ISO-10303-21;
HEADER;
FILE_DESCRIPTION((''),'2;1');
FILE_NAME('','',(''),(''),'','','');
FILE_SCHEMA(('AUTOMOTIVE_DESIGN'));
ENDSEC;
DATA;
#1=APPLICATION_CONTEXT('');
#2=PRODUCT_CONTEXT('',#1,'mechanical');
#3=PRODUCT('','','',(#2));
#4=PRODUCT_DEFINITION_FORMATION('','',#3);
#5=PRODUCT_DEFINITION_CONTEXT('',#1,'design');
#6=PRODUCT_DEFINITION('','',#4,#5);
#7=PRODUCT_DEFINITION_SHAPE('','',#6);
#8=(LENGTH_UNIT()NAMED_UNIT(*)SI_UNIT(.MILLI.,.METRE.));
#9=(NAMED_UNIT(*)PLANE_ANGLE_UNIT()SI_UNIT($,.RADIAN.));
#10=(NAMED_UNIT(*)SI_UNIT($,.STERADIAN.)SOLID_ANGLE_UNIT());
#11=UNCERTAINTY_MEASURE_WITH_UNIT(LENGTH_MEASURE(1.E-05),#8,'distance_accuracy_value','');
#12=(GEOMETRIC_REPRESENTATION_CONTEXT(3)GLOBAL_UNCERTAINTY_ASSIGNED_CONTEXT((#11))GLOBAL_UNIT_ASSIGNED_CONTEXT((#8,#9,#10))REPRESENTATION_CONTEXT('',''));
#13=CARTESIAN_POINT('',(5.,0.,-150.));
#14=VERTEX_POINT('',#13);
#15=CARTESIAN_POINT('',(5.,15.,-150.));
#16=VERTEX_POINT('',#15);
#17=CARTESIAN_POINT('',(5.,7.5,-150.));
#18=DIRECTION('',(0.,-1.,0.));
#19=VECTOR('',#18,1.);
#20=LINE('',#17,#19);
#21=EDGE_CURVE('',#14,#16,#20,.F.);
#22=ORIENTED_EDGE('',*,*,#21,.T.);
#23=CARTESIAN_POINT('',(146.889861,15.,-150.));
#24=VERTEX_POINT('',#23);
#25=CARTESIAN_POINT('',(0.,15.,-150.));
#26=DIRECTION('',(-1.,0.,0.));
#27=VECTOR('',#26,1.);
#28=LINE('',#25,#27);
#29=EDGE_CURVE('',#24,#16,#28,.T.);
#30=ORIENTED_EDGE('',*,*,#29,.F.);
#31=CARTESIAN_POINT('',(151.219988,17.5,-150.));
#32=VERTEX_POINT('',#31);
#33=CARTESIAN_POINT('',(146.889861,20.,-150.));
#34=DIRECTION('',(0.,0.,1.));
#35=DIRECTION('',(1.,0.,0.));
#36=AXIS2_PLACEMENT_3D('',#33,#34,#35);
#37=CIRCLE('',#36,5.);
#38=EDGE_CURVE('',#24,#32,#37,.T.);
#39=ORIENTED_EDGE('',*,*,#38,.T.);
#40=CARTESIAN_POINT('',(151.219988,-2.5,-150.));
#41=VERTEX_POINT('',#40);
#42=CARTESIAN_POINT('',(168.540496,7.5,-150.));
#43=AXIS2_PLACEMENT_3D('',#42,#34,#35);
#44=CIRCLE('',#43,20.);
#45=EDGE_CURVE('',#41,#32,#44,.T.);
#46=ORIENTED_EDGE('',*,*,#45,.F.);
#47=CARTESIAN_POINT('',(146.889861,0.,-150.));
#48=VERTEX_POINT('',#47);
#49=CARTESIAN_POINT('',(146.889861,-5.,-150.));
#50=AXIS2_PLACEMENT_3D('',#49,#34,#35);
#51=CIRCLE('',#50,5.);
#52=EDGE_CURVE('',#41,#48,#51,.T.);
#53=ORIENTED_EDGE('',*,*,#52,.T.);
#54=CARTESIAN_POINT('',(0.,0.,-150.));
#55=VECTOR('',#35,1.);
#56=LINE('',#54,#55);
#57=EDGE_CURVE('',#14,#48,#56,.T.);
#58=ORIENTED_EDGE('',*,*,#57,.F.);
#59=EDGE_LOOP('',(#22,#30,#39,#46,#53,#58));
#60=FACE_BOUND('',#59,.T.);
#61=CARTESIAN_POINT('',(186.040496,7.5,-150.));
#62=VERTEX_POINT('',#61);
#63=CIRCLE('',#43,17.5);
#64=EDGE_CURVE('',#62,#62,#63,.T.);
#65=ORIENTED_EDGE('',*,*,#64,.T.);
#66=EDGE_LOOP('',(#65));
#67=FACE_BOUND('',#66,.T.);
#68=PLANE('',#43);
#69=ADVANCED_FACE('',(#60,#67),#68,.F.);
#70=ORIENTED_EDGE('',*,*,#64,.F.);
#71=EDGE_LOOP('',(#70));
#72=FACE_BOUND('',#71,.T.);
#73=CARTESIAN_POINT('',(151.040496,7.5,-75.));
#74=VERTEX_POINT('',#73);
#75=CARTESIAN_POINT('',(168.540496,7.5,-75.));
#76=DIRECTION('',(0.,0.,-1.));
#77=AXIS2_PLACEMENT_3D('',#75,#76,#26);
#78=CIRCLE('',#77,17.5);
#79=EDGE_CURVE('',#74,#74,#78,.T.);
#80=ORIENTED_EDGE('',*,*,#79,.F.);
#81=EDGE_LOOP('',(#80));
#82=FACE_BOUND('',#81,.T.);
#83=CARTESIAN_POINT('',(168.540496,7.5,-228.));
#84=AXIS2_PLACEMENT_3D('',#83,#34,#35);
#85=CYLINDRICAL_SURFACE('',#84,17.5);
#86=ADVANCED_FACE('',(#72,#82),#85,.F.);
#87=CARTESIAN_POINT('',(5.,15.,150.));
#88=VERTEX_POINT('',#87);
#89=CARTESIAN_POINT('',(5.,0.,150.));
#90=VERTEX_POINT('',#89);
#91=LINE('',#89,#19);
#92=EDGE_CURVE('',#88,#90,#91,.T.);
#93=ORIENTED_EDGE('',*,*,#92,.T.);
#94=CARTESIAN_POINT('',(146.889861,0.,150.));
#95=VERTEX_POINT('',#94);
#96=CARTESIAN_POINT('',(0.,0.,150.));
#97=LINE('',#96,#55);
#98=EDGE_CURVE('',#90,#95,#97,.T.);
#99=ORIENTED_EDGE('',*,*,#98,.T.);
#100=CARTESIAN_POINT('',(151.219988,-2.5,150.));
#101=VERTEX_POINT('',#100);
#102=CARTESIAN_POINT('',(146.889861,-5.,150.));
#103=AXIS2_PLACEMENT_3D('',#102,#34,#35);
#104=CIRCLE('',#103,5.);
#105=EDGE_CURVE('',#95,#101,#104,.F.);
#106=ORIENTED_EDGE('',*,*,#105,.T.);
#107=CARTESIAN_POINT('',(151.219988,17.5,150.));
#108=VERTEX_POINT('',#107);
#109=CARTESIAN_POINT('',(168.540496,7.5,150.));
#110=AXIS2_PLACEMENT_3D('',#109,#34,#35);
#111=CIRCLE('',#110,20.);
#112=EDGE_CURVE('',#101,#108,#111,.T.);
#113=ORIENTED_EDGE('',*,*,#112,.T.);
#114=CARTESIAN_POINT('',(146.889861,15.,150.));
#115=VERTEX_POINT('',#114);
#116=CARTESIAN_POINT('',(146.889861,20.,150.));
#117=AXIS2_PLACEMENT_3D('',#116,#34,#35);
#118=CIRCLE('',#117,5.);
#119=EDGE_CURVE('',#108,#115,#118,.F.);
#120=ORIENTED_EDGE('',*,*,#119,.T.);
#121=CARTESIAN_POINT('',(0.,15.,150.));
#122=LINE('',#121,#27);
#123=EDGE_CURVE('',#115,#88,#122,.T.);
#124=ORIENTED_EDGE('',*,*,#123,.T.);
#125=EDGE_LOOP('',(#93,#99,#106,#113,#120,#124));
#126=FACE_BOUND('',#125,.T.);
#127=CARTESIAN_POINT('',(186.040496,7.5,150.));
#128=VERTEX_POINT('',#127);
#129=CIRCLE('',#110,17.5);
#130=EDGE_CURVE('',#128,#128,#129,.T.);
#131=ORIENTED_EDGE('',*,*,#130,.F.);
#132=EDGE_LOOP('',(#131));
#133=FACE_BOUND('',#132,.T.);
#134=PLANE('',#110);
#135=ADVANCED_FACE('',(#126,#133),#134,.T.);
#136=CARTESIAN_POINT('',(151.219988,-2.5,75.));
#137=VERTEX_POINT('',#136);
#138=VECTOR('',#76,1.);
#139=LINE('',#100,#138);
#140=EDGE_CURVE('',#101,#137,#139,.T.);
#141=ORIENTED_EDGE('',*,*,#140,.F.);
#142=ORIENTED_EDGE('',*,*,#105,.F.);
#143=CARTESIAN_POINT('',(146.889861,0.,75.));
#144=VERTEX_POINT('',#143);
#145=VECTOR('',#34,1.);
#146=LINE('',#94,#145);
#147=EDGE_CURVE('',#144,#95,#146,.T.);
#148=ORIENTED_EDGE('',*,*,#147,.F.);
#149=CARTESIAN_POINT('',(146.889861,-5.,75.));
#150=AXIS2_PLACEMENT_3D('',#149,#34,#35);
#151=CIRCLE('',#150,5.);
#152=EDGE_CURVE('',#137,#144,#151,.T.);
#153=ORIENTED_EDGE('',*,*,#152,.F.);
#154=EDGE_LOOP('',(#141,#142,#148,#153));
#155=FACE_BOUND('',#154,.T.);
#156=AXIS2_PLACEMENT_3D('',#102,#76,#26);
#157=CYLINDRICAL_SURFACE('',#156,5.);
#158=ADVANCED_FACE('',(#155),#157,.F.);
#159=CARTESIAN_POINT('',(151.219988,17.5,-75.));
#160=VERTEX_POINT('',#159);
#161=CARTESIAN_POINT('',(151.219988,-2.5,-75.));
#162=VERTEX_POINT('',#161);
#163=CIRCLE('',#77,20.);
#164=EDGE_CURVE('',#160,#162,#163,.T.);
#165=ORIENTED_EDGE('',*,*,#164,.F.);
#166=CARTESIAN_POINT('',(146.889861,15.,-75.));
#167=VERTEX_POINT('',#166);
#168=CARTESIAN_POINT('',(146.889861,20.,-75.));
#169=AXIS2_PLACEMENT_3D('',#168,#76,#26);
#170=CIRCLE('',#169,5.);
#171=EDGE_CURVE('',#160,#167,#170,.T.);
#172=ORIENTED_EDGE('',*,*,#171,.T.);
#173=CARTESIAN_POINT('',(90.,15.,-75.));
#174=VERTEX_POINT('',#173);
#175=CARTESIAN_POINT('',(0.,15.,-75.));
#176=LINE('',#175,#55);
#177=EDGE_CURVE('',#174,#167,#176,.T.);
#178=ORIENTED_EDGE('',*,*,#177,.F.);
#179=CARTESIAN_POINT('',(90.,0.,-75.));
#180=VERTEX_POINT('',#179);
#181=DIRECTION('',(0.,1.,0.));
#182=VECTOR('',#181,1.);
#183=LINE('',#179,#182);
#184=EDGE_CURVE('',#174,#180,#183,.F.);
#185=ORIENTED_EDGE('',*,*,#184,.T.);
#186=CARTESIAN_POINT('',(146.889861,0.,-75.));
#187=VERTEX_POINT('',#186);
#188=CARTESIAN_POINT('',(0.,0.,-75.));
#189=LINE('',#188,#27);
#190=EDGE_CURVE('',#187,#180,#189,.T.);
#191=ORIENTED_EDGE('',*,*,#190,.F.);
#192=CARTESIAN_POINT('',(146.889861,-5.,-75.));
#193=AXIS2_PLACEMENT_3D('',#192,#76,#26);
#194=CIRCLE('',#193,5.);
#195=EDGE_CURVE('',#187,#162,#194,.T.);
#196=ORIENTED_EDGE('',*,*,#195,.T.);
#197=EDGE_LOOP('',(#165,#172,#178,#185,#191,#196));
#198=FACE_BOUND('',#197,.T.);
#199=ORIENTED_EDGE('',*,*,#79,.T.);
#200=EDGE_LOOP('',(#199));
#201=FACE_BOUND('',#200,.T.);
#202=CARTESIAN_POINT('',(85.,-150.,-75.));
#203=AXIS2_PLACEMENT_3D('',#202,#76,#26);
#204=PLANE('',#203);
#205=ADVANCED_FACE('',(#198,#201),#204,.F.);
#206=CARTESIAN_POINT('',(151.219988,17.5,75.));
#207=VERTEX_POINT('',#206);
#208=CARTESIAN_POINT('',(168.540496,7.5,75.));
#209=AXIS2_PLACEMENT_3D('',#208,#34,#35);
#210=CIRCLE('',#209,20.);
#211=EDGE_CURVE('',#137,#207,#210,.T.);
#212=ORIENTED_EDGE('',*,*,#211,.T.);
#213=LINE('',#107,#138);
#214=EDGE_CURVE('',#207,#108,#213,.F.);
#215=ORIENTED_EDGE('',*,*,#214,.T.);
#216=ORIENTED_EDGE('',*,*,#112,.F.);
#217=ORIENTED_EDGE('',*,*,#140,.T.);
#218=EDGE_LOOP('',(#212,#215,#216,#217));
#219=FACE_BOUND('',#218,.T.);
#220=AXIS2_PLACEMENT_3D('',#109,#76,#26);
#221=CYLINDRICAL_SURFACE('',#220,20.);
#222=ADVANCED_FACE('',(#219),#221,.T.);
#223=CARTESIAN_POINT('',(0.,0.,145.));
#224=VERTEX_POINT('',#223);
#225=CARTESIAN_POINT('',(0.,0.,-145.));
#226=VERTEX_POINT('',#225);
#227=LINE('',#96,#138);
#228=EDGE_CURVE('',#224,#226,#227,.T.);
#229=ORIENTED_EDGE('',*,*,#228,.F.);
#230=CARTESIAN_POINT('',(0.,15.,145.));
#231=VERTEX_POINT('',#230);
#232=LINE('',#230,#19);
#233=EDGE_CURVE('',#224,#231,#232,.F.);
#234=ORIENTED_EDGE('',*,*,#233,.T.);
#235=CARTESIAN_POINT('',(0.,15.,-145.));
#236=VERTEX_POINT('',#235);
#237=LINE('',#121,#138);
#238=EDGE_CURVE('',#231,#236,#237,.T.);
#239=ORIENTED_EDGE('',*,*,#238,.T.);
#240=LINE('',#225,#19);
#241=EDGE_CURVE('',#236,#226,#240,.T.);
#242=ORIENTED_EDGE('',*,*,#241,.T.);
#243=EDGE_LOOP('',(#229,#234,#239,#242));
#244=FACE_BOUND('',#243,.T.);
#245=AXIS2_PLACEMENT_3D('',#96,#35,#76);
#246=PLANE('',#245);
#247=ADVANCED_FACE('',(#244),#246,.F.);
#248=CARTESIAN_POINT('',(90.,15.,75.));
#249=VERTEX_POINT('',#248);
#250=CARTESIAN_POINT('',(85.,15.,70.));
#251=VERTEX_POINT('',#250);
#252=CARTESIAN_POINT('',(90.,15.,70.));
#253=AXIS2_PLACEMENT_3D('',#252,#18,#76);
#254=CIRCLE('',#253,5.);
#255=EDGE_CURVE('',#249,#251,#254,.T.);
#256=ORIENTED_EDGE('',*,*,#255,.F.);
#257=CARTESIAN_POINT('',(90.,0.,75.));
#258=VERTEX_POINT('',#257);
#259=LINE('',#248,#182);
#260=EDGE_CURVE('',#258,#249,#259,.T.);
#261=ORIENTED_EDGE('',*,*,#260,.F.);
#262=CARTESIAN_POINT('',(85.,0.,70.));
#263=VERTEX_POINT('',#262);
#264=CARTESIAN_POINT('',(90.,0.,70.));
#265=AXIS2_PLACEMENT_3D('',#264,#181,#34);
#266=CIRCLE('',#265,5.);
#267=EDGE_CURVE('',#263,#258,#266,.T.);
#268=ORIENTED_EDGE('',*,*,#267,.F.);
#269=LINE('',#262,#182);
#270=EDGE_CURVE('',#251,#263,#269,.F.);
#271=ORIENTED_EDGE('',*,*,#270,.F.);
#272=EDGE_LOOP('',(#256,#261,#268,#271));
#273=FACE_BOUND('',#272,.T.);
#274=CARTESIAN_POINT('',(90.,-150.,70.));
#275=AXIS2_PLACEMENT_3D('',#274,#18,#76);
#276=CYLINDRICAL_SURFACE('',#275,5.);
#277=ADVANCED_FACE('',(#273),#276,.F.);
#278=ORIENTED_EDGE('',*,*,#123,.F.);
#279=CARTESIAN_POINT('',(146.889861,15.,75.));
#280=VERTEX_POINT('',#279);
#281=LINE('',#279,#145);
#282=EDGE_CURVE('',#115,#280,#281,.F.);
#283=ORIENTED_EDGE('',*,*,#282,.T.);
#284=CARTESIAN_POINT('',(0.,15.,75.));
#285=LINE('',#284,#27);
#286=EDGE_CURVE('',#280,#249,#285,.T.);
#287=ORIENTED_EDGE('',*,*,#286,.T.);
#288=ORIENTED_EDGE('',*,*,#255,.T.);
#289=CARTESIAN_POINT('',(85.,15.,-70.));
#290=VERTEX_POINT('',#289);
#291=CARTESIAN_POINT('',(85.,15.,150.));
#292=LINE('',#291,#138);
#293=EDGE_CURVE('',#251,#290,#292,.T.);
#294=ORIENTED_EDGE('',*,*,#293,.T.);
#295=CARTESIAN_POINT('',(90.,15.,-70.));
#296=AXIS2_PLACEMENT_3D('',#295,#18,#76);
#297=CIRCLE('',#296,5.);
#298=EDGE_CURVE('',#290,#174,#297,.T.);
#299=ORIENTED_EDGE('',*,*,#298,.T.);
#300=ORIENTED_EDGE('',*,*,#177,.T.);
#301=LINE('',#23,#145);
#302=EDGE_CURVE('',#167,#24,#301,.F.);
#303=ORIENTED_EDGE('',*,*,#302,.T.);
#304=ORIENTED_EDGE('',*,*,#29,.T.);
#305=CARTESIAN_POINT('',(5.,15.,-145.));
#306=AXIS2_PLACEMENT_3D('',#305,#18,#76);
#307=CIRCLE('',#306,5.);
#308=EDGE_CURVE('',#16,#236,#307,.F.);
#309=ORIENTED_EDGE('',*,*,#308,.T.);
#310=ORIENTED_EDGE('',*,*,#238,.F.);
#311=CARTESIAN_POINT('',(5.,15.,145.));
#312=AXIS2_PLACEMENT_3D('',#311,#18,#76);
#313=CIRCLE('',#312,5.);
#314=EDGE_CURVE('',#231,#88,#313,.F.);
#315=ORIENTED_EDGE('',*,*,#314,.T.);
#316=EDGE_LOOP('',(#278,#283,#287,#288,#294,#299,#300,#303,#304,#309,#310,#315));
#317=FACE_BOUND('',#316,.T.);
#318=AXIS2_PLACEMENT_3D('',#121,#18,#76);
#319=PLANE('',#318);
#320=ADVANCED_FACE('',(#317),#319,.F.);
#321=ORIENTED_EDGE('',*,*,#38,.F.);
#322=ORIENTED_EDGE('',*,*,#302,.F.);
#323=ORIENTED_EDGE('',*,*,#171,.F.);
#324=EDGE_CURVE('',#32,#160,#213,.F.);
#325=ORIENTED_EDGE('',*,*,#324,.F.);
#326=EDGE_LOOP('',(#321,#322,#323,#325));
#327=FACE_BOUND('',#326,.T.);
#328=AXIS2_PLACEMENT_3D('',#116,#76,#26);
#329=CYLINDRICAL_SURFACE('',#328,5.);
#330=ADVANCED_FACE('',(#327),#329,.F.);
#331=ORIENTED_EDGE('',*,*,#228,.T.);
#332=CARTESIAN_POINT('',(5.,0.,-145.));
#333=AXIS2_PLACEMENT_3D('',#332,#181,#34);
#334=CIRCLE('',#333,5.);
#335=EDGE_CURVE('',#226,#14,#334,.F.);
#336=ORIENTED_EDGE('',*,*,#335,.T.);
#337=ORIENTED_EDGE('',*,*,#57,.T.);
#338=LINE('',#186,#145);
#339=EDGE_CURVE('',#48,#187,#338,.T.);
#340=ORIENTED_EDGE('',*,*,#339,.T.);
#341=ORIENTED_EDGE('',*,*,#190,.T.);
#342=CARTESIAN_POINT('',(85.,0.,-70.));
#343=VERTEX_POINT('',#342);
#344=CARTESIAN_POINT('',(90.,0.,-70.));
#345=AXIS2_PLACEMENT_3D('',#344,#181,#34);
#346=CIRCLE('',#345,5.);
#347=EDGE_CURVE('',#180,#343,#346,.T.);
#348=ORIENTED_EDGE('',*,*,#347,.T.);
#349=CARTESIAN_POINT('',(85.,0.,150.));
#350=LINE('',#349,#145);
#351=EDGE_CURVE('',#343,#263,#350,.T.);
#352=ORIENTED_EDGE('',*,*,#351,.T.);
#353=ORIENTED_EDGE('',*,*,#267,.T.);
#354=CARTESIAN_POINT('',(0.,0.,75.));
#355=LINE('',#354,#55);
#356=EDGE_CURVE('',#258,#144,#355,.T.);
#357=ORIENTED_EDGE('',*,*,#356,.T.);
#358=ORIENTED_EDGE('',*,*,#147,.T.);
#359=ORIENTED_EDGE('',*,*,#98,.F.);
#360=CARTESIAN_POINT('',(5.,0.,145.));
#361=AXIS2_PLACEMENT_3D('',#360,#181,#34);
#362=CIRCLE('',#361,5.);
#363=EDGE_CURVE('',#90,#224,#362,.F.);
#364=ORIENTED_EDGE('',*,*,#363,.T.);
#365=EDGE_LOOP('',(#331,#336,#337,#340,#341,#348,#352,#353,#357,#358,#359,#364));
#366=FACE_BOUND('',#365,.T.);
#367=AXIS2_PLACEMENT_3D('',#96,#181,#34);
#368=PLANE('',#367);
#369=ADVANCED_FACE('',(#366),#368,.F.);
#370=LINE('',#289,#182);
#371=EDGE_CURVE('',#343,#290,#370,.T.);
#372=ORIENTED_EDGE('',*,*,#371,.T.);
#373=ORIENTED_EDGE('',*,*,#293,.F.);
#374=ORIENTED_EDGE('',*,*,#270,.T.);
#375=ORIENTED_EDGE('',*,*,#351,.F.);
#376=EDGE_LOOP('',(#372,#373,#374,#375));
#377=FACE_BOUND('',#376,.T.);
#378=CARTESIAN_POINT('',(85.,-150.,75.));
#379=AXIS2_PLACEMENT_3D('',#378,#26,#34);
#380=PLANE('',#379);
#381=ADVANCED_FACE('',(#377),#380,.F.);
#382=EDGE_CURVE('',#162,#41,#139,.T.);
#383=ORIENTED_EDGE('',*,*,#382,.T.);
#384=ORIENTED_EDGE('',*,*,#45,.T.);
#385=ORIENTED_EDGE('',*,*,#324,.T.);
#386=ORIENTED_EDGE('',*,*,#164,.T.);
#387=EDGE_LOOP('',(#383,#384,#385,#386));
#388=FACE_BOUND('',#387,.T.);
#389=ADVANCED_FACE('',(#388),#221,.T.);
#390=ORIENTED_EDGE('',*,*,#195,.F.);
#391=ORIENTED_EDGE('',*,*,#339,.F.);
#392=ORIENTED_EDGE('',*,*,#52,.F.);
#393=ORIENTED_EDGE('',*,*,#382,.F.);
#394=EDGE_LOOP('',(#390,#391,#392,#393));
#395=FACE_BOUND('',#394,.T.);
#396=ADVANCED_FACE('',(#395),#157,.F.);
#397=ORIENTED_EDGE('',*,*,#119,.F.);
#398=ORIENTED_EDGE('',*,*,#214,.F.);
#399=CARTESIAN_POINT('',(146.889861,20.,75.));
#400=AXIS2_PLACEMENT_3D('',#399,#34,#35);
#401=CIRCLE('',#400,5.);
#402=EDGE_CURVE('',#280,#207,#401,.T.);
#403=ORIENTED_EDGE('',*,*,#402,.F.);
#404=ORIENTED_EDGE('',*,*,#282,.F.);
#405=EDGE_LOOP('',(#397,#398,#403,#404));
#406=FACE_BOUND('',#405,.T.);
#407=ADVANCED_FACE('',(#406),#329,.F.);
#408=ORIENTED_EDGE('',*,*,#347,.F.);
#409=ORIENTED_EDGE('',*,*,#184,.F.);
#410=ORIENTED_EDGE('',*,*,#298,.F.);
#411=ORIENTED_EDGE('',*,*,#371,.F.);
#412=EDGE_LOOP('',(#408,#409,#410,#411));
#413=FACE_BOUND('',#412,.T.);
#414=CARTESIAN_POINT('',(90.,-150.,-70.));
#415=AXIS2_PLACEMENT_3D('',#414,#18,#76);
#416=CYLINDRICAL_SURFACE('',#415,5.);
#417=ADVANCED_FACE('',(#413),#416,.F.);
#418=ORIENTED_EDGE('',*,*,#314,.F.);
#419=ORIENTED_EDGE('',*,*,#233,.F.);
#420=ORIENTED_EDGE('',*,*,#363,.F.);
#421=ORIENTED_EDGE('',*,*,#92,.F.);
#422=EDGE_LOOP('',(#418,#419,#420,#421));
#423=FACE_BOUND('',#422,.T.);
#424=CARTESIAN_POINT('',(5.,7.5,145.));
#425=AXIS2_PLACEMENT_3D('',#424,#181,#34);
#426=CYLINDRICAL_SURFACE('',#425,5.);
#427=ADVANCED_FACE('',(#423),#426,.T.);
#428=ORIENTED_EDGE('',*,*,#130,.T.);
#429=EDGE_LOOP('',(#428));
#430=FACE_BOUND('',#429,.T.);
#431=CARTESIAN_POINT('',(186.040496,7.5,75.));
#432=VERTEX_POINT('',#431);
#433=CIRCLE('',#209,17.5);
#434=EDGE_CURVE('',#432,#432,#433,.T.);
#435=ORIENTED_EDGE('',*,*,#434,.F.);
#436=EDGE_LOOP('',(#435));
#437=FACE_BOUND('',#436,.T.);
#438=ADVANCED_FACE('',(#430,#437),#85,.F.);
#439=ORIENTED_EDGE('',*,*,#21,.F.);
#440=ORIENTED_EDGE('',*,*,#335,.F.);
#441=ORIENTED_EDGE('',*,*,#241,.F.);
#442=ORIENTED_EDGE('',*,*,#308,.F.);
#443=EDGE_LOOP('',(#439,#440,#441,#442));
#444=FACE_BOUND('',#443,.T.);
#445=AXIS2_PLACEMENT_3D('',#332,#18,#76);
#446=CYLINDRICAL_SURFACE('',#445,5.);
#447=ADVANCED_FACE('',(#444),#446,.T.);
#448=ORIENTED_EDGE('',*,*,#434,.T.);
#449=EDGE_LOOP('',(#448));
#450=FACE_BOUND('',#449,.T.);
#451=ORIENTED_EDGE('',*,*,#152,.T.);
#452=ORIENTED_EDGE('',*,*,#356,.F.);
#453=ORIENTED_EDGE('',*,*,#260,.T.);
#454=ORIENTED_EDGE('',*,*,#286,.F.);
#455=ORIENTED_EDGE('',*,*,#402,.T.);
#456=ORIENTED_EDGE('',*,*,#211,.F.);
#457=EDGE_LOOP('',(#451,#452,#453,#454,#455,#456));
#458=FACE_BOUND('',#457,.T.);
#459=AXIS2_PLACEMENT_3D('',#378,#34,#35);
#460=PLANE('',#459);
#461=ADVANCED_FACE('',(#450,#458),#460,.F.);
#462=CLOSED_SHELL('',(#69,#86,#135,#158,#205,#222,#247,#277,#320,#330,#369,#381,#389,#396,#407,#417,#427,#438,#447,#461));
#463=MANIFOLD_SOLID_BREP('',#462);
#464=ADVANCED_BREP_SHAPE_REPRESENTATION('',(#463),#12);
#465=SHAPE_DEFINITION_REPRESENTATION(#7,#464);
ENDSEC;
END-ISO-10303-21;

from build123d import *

# Parameters (mm, degrees)
BOSS_EXTRUDE2_DEPTH = 150
SKETCH4_W           = 110
SKETCH4_H           = 150
CUT_EXTRUDE1_DEPTH  = 150
FILLET1_R           = 5
SKETCH5_R           = 17.5
CUT_EXTRUDE2_DEPTH  = 378


with BuildPart() as part:
    # Sketch3 → Boss-Extrude2 (new, symmetric)
    with BuildSketch(Plane.XY):
        with BuildLine():
            Line((0, 0), (150, 0))
            ThreePointArc((150, 0), (188.540496218, 7.5), (150, 15))
            Line((150, 15), (0, 15))
            Line((0, 15), (0, 0))
        make_face()
    extrude(amount=BOSS_EXTRUDE2_DEPTH, both=True)

    # Sketch4 → Cut-Extrude1 (cut, symmetric)
    with BuildSketch(Plane(origin=(0, 0, 0), x_dir=(1, 0, 0), z_dir=(0, 1, 0))):
        with Locations((140, 0)):
            Rectangle(SKETCH4_W, SKETCH4_H)
    extrude(amount=CUT_EXTRUDE1_DEPTH, both=True, mode=Mode.SUBTRACT)

    # Fillet1
    fillet1_edges = [part.edges().sort_by_distance(p)[0] for p in [
        (150, 15, -112.5),
        (150, 0, -112.5),
        (85, 7.5, 75),
        (85, 7.5, -75),
        (0, 7.5, 150),
        (0, 7.5, -150),
        (150, 15, 112.5),
        (150, 0, 112.5),
    ]]
    fillet(fillet1_edges, radius=FILLET1_R)

    # Sketch5 → Cut-Extrude2 (cut, symmetric)
    with BuildSketch(Plane.XY.offset(150)):
        with Locations((168.540496218, 7.5)):
            Circle(SKETCH5_R)
    extrude(amount=CUT_EXTRUDE2_DEPTH, both=True, mode=Mode.SUBTRACT)


solid = part.part
